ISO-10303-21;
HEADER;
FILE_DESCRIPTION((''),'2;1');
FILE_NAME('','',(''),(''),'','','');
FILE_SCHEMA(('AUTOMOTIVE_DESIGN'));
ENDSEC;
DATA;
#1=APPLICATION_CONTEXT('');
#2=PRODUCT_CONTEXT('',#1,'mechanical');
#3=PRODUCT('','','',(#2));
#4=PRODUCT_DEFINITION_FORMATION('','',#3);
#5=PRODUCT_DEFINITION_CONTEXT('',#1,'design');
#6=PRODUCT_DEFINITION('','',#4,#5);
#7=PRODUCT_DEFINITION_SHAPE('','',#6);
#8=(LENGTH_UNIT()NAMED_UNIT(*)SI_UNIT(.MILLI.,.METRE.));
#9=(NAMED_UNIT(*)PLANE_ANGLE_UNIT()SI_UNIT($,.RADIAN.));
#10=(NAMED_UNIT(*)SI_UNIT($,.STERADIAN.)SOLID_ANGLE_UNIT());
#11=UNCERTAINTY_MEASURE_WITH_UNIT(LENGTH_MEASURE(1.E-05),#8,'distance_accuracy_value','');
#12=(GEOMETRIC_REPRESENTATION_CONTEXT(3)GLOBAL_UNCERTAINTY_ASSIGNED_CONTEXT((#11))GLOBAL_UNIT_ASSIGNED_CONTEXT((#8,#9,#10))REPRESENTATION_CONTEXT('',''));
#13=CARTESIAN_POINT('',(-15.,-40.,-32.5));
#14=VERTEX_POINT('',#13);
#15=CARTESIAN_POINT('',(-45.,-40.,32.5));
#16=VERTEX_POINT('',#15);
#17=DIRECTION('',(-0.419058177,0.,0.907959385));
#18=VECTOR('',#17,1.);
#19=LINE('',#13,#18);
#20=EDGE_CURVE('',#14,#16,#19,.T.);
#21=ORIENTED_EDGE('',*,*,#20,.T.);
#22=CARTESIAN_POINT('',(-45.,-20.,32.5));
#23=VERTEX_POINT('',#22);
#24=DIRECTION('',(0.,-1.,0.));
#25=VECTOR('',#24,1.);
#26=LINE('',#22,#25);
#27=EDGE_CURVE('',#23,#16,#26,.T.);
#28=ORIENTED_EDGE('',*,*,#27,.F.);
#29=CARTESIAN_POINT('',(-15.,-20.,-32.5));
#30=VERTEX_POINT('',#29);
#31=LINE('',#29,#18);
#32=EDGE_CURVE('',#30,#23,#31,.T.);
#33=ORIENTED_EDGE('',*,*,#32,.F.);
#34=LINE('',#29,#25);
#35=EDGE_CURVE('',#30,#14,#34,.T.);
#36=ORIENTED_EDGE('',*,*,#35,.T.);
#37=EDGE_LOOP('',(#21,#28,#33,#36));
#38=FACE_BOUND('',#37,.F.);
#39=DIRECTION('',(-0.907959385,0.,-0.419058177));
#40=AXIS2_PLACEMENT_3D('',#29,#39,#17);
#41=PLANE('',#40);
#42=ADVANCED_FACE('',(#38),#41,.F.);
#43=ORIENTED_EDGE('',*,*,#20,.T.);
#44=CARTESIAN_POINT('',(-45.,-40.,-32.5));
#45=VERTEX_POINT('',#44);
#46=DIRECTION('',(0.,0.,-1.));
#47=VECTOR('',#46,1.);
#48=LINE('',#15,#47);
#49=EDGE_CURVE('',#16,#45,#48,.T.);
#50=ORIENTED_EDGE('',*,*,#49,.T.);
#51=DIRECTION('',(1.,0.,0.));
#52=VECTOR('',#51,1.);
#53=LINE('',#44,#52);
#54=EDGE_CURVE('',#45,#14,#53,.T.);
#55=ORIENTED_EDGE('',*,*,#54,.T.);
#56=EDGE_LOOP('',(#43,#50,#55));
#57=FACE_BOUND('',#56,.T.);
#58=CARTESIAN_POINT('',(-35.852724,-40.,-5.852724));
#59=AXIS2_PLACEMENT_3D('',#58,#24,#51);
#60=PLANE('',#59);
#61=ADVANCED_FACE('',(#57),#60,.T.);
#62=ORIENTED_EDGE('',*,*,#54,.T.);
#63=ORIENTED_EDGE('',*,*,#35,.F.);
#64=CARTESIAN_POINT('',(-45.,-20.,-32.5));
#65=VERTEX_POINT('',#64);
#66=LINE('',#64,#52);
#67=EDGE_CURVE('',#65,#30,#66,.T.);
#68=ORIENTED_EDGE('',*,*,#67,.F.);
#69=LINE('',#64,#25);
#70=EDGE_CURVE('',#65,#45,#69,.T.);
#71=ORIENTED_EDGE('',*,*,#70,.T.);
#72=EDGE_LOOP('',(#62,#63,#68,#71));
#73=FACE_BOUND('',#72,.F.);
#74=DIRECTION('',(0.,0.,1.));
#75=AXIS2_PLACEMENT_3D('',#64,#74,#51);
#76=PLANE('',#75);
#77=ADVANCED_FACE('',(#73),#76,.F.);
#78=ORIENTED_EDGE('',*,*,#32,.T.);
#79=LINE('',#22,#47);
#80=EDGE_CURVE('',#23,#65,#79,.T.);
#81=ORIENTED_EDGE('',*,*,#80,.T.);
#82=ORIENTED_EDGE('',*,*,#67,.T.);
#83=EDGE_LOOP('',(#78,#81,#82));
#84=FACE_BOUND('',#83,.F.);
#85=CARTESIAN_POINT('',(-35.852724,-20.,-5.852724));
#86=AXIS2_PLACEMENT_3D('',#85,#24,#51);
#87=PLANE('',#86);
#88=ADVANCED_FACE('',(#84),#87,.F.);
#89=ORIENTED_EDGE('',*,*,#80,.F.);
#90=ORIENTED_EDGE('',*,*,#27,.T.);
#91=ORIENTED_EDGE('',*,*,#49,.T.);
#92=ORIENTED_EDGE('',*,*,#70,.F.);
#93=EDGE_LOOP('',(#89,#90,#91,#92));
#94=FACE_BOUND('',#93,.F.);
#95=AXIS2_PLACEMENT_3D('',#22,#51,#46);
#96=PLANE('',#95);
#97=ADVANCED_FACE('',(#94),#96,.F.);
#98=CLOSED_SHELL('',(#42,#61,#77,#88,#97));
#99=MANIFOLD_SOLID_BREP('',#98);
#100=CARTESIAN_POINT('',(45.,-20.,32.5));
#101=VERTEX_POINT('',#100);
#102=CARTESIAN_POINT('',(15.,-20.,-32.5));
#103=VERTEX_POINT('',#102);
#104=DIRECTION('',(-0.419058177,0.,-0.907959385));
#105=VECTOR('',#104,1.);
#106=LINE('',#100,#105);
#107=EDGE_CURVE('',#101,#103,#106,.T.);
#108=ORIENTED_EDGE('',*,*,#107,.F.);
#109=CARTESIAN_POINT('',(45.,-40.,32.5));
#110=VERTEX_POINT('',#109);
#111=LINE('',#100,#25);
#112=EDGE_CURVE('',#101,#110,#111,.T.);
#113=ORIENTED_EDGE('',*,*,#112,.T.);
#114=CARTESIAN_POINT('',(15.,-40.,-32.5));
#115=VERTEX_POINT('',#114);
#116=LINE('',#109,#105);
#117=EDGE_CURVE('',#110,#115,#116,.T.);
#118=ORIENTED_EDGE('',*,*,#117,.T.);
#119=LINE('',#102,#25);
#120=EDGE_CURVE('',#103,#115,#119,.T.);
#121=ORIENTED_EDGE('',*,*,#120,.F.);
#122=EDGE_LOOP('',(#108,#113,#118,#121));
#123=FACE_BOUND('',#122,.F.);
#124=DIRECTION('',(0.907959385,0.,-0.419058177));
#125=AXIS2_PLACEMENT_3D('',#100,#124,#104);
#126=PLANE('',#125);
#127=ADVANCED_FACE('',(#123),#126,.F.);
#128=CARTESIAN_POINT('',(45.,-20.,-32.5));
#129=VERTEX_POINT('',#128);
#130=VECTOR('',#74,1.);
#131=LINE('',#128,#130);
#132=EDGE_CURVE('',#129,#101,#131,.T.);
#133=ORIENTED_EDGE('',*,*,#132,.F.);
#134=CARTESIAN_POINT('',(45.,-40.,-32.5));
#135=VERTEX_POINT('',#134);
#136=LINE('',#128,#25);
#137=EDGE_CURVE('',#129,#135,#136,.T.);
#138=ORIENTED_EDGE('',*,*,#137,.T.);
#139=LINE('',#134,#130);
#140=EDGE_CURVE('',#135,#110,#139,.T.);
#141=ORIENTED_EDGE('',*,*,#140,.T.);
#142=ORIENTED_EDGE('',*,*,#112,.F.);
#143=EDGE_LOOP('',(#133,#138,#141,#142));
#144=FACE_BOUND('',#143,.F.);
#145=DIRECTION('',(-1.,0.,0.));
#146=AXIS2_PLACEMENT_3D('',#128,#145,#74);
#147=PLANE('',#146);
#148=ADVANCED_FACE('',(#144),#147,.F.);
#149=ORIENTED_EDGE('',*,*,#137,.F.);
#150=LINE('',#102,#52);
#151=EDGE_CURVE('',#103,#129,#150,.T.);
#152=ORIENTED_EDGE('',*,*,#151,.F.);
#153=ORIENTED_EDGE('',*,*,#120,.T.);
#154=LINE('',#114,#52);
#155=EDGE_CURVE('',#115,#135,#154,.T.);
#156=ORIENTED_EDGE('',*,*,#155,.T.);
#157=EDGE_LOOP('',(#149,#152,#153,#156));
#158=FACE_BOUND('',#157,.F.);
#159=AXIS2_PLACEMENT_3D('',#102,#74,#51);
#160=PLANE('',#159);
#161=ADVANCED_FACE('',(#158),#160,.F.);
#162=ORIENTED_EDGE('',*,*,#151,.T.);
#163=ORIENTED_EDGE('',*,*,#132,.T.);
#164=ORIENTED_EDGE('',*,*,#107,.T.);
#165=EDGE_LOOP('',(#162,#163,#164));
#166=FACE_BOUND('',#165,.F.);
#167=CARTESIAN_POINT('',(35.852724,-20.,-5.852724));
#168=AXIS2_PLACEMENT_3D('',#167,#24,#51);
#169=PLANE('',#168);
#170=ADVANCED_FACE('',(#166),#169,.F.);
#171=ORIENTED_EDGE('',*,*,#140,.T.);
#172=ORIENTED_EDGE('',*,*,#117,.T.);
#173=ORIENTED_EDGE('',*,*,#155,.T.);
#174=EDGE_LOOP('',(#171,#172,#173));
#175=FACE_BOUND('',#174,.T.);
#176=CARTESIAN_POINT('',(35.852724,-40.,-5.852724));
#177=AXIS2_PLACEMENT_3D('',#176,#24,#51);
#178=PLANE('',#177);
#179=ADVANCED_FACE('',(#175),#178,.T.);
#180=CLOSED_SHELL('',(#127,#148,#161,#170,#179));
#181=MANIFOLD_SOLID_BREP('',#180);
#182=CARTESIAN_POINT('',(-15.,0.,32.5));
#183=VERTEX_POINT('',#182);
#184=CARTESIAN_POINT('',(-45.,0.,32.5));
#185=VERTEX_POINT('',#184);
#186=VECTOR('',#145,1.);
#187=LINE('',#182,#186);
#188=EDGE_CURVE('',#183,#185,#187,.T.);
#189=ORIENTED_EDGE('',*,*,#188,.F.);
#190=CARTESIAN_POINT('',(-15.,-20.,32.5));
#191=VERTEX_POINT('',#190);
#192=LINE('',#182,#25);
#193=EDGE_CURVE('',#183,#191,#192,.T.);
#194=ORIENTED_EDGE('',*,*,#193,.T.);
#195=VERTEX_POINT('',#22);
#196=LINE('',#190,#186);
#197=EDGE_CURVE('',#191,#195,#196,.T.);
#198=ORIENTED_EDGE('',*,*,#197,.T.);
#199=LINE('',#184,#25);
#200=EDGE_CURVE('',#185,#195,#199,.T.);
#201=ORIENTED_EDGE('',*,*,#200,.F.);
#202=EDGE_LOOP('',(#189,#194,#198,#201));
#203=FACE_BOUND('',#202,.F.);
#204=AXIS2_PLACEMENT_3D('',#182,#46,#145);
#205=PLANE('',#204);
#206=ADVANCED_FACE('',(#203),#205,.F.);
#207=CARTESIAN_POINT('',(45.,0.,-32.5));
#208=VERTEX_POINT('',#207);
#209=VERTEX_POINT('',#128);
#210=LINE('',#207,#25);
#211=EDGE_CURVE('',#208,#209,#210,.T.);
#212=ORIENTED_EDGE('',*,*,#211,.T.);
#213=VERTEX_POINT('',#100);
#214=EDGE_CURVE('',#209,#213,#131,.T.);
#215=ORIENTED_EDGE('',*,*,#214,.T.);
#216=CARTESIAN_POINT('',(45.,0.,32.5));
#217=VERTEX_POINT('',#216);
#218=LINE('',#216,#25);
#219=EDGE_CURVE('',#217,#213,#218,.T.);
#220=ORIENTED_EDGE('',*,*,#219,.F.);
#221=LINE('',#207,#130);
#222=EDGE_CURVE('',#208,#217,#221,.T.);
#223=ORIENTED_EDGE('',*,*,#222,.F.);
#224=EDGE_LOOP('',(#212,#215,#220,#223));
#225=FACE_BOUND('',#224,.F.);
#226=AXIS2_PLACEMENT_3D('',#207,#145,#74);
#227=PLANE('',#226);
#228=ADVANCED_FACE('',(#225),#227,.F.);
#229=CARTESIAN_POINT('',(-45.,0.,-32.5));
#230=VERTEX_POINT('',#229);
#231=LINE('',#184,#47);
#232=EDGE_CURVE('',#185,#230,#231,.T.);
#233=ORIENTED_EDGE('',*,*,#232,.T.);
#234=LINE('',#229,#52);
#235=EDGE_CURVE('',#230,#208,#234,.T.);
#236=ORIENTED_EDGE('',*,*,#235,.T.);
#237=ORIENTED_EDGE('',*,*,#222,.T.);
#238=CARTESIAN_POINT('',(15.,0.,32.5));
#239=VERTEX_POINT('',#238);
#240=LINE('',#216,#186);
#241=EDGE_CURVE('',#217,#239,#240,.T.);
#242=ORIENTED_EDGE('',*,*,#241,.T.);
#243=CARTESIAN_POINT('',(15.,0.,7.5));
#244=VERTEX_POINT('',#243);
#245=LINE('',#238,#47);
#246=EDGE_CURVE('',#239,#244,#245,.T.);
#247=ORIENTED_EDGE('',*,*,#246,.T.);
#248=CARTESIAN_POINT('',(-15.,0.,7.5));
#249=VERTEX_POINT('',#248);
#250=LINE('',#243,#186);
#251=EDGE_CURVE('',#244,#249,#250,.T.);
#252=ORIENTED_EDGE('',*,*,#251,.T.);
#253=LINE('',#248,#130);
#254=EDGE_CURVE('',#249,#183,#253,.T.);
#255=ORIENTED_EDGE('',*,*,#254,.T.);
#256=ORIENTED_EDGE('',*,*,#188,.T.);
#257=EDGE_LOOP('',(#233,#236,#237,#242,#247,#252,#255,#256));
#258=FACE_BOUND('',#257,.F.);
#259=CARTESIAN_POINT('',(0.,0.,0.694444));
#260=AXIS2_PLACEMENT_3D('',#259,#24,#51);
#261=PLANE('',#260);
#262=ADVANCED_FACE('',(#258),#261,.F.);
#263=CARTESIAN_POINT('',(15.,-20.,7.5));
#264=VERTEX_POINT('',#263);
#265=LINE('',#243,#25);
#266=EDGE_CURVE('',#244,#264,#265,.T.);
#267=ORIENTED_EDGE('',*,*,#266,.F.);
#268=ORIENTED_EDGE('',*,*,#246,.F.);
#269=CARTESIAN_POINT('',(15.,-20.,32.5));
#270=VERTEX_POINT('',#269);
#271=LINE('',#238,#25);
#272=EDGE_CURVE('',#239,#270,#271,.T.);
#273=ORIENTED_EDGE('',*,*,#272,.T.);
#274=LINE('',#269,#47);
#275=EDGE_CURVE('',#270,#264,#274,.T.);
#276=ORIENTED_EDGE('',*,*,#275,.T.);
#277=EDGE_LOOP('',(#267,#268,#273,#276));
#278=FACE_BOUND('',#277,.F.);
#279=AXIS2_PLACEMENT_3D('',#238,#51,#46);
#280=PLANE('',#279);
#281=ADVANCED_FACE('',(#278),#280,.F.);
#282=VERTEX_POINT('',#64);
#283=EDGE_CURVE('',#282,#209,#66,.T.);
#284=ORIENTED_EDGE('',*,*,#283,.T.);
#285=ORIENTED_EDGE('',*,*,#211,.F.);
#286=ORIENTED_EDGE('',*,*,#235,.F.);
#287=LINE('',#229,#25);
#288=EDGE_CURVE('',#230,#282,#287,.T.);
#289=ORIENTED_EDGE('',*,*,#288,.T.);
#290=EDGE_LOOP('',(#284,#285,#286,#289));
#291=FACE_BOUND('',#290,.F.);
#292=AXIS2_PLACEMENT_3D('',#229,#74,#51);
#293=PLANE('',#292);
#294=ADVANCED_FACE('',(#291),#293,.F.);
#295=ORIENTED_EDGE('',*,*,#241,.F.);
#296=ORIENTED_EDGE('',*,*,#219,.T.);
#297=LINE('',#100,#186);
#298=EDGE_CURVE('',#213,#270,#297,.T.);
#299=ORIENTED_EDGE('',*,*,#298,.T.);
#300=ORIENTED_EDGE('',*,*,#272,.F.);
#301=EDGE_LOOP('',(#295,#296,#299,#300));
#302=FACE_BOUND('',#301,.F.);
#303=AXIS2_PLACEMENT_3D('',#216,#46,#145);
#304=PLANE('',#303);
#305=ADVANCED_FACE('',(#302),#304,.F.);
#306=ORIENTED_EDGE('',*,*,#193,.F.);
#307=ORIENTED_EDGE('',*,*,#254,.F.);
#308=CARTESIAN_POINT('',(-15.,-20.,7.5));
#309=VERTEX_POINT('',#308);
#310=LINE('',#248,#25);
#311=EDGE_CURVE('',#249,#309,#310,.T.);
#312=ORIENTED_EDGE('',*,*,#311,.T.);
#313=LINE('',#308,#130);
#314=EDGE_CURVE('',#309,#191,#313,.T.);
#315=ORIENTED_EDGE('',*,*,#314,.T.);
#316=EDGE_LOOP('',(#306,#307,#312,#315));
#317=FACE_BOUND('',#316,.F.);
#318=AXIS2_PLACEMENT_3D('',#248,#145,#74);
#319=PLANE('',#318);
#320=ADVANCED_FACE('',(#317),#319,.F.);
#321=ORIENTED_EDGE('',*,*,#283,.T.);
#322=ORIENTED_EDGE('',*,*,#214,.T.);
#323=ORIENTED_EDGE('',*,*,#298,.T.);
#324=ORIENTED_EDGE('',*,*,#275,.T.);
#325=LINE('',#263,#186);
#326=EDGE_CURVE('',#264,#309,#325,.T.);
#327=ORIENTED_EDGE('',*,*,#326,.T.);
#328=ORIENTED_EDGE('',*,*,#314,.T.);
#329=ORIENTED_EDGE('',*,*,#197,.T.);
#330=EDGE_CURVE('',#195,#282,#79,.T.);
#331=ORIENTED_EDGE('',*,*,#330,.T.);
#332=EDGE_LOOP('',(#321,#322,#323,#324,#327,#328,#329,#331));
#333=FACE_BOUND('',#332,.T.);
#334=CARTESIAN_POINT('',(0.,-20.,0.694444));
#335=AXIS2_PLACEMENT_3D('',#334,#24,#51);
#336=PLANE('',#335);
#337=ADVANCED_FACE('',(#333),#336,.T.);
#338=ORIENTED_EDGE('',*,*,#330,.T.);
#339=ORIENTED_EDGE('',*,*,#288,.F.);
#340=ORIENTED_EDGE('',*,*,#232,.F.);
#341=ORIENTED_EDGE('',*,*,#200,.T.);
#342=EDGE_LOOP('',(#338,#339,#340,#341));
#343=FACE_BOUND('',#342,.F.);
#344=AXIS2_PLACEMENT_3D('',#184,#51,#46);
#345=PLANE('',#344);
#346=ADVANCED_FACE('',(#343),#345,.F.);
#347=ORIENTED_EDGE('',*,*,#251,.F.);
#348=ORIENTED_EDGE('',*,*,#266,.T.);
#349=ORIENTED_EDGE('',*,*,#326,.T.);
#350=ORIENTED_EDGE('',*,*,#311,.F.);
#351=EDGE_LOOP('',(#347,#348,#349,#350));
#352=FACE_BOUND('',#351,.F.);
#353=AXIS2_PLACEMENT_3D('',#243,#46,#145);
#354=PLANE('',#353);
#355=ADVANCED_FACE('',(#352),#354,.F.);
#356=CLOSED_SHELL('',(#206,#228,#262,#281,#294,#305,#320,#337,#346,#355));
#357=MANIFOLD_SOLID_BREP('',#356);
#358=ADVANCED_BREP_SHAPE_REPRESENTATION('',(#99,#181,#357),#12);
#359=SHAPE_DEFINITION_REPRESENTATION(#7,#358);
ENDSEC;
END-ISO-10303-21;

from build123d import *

# Parameters (mm, degrees)
F1_DEPTH = 20
F3_DEPTH = 20


with BuildPart() as f1:
    # F0 (on Front) → F1 (new body)
    with BuildSketch(Plane.XZ):
        Polygon((45, 7.5), (45, 32.5), (15, 32.5), (15, 7.5), (-15, 7.5), (-15, 32.5), (-45, 32.5), (-45, 7.5), (-45, -32.5), (45, -32.5), align=None)
    extrude(amount=F1_DEPTH)


with BuildPart() as f3:
    # F2 (on face) → F3 (new body)
    with BuildSketch(Plane.XZ.offset(20)):
        Polygon((-15, -32.5), (-45, 32.5), (-45, -32.5), align=None)
        Polygon((45, 32.5), (15, -32.5), (45, -32.5), align=None)
    extrude(amount=F3_DEPTH)


solid = Compound([f1.part, f3.part])
